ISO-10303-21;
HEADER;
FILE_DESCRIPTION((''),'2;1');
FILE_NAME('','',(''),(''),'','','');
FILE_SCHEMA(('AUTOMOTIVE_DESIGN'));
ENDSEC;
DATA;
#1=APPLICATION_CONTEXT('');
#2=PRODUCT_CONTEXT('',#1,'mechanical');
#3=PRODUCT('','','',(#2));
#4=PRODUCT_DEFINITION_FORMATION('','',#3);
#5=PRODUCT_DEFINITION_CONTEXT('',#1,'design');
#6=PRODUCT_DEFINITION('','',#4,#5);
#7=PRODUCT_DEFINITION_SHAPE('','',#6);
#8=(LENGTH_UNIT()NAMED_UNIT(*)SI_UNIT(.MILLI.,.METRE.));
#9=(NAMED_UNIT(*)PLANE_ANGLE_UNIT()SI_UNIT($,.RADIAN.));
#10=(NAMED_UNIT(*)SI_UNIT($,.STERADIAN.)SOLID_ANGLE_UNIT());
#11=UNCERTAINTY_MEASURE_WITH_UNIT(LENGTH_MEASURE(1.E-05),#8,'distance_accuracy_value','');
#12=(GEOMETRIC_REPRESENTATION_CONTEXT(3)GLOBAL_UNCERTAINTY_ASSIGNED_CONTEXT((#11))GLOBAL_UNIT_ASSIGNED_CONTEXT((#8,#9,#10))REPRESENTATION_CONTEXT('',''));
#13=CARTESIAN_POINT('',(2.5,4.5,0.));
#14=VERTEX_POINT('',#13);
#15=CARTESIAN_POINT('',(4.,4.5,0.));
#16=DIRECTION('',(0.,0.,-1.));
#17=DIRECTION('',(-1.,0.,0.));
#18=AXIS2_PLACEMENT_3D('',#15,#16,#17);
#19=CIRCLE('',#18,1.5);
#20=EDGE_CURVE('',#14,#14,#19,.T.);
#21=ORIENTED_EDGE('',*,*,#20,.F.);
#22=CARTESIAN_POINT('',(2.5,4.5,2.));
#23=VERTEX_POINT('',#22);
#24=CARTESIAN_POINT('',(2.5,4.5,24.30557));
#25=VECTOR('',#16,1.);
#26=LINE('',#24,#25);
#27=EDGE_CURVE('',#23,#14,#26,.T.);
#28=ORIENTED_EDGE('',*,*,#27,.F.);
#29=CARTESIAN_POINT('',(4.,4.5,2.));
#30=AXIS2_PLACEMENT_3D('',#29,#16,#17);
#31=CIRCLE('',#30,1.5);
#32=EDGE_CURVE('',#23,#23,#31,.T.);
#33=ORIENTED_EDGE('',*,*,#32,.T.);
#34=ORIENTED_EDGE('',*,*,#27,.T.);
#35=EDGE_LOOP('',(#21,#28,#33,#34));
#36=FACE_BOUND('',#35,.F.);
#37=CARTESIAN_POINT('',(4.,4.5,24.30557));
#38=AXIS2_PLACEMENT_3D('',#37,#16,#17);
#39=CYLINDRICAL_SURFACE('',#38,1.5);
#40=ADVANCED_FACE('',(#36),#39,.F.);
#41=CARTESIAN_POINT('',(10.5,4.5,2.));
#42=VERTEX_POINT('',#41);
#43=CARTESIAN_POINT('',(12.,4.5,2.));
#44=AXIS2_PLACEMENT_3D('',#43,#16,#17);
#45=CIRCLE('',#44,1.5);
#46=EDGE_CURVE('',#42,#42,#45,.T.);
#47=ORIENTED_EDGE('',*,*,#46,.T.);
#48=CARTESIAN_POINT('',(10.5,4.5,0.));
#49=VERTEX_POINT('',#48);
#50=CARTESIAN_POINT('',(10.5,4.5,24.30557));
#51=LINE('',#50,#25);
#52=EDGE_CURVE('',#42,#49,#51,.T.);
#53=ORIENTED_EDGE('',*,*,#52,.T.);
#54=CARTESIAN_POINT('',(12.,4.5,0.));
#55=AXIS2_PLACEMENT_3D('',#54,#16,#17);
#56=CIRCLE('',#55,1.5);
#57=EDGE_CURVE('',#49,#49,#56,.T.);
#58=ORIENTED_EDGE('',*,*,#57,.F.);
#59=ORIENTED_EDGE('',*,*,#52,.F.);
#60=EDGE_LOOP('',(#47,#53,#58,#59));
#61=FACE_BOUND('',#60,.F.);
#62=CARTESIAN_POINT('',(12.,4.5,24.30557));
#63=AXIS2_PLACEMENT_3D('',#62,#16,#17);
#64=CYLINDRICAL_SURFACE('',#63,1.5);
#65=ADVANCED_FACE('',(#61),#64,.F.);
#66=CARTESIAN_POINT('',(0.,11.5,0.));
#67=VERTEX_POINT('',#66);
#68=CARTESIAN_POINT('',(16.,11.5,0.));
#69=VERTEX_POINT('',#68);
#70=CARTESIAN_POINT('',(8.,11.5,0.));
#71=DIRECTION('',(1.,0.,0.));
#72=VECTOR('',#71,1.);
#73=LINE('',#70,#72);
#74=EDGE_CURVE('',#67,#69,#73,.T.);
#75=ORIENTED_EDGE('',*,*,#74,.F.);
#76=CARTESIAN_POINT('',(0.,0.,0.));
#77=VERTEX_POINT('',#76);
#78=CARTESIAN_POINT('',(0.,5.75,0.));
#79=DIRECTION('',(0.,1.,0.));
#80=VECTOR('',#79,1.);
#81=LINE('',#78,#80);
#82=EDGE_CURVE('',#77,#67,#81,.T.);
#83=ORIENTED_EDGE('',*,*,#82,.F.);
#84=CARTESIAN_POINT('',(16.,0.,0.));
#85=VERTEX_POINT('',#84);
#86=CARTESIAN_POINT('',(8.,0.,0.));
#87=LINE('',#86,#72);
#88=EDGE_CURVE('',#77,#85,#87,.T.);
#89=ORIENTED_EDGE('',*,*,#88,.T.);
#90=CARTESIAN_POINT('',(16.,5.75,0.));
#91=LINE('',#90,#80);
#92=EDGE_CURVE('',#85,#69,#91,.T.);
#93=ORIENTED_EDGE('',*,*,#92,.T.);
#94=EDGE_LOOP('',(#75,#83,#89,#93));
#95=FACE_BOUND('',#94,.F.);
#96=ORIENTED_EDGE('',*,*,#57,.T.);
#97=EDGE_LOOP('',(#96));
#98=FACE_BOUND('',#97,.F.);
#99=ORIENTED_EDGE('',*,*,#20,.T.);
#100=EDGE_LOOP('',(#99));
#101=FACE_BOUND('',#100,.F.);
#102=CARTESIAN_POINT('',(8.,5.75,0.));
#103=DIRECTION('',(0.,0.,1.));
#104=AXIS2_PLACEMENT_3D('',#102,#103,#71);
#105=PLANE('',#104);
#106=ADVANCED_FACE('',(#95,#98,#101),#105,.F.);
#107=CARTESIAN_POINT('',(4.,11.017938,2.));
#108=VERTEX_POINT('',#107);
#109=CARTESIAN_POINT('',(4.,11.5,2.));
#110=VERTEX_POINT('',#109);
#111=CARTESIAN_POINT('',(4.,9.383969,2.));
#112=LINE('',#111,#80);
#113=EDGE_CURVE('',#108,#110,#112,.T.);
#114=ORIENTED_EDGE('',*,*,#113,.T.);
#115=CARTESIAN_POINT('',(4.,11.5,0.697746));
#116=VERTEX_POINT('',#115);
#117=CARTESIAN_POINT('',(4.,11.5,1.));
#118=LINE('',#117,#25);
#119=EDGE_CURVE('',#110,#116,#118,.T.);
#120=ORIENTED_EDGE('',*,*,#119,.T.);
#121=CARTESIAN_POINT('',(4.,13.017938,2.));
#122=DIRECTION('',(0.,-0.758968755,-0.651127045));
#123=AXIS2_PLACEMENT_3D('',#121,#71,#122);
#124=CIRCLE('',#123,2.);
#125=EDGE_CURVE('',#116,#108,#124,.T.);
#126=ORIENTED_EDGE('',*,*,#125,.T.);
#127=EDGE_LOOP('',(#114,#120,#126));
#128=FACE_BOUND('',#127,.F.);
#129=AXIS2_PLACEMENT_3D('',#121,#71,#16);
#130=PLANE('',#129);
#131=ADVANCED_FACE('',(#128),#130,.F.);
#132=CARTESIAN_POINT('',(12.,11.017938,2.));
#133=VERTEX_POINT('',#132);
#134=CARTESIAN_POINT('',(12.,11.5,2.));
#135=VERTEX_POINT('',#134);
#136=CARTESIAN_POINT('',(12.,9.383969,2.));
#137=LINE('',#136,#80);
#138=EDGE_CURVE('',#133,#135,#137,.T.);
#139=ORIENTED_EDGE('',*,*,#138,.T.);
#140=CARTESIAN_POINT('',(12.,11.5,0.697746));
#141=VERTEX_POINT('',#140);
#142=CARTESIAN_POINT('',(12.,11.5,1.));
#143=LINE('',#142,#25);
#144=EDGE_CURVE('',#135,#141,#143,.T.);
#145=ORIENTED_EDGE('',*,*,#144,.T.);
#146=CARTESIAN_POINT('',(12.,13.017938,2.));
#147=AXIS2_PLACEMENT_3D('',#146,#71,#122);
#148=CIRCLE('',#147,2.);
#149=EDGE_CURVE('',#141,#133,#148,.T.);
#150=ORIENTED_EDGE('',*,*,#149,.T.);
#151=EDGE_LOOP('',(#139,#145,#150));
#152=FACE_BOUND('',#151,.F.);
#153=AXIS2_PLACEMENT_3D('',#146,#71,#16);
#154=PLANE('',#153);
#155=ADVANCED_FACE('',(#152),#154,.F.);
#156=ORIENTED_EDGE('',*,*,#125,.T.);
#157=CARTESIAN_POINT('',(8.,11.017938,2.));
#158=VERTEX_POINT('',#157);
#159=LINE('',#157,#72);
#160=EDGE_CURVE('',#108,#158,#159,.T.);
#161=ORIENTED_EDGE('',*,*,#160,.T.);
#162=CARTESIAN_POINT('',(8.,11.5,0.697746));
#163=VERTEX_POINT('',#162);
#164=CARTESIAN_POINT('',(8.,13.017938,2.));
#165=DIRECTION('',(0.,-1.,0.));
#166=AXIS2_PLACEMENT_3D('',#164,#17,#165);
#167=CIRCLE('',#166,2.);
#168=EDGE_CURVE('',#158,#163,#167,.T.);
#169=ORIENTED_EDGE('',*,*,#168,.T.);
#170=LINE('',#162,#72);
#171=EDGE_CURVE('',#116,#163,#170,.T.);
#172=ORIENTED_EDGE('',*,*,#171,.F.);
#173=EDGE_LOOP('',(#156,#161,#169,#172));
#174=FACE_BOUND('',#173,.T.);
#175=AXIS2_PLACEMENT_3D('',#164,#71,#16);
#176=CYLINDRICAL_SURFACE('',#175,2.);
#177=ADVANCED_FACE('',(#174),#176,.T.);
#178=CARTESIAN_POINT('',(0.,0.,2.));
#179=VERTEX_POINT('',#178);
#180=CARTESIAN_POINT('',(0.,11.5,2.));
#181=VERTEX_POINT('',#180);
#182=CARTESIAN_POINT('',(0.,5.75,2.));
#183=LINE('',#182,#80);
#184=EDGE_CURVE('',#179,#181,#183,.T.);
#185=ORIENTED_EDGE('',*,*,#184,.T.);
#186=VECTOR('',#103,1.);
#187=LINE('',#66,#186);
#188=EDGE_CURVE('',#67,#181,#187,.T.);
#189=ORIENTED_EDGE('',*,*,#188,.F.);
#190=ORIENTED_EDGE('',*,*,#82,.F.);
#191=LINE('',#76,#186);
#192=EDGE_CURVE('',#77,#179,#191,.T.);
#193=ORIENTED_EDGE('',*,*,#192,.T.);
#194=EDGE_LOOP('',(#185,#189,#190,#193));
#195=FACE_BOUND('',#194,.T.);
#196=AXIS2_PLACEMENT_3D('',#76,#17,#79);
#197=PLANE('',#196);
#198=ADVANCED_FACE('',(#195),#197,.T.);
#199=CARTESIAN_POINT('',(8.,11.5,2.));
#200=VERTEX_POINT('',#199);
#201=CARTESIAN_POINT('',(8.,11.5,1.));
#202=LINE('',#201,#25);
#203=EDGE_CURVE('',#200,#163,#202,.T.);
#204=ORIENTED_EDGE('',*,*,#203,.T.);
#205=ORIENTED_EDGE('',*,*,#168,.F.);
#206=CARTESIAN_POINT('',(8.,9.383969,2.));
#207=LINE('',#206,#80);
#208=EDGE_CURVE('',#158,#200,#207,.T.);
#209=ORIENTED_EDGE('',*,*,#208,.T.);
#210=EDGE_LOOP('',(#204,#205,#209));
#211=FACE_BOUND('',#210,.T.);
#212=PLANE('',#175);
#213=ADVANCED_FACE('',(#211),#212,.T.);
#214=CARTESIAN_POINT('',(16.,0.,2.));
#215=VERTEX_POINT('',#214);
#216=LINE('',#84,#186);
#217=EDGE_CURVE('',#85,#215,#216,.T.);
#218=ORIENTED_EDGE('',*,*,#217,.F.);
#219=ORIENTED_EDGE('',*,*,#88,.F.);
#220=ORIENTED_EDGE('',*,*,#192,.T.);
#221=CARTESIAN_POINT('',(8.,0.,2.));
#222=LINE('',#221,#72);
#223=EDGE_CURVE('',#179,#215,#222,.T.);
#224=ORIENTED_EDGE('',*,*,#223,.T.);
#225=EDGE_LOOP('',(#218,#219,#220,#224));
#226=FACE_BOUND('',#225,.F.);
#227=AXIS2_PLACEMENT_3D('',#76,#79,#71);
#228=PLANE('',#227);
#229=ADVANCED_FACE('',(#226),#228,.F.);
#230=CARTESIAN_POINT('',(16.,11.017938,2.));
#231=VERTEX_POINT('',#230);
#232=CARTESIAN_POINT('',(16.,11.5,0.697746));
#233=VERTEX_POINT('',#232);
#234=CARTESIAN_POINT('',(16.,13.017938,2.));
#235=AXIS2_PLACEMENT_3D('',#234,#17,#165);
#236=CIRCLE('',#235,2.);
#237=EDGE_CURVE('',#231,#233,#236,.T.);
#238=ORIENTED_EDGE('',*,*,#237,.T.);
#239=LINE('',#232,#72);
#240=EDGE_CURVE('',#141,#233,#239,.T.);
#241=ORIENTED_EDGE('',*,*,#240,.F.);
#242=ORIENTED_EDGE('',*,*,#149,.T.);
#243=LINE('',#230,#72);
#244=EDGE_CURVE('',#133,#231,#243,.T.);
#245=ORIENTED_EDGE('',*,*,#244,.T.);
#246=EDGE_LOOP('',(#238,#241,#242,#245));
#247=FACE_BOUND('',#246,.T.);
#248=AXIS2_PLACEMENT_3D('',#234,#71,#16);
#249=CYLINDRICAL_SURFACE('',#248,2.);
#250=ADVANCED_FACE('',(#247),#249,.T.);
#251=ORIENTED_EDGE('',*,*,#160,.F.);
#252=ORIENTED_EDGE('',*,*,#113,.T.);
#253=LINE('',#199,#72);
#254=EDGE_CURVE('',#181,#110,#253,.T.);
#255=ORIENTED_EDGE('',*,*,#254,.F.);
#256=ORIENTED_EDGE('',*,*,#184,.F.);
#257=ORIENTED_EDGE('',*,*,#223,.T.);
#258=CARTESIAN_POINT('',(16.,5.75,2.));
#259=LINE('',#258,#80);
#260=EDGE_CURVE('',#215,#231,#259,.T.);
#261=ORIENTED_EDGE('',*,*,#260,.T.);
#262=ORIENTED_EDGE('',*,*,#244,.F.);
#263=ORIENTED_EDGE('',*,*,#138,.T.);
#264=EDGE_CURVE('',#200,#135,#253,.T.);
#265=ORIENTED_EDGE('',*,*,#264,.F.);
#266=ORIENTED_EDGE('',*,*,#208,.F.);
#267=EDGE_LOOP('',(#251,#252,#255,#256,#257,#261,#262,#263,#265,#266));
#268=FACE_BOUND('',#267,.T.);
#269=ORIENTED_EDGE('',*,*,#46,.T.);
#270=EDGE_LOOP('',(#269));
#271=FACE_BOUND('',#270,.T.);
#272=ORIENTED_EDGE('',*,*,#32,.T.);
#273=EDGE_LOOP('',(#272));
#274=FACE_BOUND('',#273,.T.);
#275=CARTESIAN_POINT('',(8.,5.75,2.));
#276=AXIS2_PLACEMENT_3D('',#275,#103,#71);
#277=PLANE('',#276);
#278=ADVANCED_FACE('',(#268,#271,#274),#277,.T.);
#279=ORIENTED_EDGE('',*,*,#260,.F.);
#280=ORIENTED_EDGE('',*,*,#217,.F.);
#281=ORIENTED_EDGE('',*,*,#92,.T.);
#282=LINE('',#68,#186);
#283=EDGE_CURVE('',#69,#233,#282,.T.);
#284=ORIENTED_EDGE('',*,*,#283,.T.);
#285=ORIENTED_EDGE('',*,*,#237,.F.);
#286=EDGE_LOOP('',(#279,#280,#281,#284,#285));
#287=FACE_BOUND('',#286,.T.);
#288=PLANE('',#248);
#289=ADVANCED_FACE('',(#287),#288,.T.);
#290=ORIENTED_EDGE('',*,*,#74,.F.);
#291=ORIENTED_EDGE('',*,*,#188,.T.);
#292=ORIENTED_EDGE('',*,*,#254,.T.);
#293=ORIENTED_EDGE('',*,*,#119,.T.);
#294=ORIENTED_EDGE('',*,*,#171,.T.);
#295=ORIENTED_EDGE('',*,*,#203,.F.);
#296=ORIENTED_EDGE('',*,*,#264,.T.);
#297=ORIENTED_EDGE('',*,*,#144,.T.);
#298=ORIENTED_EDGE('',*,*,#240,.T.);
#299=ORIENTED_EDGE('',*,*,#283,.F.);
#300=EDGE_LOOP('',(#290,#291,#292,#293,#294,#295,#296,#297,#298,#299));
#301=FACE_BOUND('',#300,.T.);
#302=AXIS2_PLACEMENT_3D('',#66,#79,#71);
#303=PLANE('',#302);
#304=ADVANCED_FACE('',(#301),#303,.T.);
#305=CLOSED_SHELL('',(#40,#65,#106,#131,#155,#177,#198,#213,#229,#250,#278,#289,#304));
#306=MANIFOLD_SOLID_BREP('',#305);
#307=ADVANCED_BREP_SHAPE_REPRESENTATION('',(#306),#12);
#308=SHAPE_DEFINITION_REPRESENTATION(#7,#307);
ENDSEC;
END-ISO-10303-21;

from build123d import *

# Parameters (mm, degrees)
SKETCH1_W             = 16
SKETCH1_H             = 11.5
BOSS_EXTRUDE1_DEPTH   = 2
SKETCH2_R             = 2
BOSS_EXTRUDE2_DEPTH   = 4
LPATTERN1_COUNT       = 2
LPATTERN1_PITCH       = 8
F_3_0MM_DOWEL_HOLE1_D = 3


with BuildPart() as part:
    # Sketch1 → Boss-Extrude1 (new body)
    with BuildSketch(Plane.XY):
        with Locations((8, 5.75)):
            Rectangle(SKETCH1_W, SKETCH1_H)
    extrude(amount=BOSS_EXTRUDE1_DEPTH)

    # Sketch2 → Boss-Extrude2 (add)
    with BuildSketch(Plane(origin=(16, 0, 0), x_dir=(0, 0, -1), z_dir=(1, 0, 0))):
        with Locations((-2, 13.01793751)):
            Circle(SKETCH2_R)
    boss_extrude2 = extrude(amount=-BOSS_EXTRUDE2_DEPTH)

    # LPattern1: Boss-Extrude2 ×2
    with Locations(*[(-i * LPATTERN1_PITCH, 0, 0) for i in range(1, LPATTERN1_COUNT)]):
        add(boss_extrude2)

    # Ø3.0mm Dowel Hole1 (through all)
    with Locations(Plane.XY.offset(2)):
        with Locations((4, 4.5), (12, 4.5)):
            Hole(F_3_0MM_DOWEL_HOLE1_D / 2)


solid = part.part
